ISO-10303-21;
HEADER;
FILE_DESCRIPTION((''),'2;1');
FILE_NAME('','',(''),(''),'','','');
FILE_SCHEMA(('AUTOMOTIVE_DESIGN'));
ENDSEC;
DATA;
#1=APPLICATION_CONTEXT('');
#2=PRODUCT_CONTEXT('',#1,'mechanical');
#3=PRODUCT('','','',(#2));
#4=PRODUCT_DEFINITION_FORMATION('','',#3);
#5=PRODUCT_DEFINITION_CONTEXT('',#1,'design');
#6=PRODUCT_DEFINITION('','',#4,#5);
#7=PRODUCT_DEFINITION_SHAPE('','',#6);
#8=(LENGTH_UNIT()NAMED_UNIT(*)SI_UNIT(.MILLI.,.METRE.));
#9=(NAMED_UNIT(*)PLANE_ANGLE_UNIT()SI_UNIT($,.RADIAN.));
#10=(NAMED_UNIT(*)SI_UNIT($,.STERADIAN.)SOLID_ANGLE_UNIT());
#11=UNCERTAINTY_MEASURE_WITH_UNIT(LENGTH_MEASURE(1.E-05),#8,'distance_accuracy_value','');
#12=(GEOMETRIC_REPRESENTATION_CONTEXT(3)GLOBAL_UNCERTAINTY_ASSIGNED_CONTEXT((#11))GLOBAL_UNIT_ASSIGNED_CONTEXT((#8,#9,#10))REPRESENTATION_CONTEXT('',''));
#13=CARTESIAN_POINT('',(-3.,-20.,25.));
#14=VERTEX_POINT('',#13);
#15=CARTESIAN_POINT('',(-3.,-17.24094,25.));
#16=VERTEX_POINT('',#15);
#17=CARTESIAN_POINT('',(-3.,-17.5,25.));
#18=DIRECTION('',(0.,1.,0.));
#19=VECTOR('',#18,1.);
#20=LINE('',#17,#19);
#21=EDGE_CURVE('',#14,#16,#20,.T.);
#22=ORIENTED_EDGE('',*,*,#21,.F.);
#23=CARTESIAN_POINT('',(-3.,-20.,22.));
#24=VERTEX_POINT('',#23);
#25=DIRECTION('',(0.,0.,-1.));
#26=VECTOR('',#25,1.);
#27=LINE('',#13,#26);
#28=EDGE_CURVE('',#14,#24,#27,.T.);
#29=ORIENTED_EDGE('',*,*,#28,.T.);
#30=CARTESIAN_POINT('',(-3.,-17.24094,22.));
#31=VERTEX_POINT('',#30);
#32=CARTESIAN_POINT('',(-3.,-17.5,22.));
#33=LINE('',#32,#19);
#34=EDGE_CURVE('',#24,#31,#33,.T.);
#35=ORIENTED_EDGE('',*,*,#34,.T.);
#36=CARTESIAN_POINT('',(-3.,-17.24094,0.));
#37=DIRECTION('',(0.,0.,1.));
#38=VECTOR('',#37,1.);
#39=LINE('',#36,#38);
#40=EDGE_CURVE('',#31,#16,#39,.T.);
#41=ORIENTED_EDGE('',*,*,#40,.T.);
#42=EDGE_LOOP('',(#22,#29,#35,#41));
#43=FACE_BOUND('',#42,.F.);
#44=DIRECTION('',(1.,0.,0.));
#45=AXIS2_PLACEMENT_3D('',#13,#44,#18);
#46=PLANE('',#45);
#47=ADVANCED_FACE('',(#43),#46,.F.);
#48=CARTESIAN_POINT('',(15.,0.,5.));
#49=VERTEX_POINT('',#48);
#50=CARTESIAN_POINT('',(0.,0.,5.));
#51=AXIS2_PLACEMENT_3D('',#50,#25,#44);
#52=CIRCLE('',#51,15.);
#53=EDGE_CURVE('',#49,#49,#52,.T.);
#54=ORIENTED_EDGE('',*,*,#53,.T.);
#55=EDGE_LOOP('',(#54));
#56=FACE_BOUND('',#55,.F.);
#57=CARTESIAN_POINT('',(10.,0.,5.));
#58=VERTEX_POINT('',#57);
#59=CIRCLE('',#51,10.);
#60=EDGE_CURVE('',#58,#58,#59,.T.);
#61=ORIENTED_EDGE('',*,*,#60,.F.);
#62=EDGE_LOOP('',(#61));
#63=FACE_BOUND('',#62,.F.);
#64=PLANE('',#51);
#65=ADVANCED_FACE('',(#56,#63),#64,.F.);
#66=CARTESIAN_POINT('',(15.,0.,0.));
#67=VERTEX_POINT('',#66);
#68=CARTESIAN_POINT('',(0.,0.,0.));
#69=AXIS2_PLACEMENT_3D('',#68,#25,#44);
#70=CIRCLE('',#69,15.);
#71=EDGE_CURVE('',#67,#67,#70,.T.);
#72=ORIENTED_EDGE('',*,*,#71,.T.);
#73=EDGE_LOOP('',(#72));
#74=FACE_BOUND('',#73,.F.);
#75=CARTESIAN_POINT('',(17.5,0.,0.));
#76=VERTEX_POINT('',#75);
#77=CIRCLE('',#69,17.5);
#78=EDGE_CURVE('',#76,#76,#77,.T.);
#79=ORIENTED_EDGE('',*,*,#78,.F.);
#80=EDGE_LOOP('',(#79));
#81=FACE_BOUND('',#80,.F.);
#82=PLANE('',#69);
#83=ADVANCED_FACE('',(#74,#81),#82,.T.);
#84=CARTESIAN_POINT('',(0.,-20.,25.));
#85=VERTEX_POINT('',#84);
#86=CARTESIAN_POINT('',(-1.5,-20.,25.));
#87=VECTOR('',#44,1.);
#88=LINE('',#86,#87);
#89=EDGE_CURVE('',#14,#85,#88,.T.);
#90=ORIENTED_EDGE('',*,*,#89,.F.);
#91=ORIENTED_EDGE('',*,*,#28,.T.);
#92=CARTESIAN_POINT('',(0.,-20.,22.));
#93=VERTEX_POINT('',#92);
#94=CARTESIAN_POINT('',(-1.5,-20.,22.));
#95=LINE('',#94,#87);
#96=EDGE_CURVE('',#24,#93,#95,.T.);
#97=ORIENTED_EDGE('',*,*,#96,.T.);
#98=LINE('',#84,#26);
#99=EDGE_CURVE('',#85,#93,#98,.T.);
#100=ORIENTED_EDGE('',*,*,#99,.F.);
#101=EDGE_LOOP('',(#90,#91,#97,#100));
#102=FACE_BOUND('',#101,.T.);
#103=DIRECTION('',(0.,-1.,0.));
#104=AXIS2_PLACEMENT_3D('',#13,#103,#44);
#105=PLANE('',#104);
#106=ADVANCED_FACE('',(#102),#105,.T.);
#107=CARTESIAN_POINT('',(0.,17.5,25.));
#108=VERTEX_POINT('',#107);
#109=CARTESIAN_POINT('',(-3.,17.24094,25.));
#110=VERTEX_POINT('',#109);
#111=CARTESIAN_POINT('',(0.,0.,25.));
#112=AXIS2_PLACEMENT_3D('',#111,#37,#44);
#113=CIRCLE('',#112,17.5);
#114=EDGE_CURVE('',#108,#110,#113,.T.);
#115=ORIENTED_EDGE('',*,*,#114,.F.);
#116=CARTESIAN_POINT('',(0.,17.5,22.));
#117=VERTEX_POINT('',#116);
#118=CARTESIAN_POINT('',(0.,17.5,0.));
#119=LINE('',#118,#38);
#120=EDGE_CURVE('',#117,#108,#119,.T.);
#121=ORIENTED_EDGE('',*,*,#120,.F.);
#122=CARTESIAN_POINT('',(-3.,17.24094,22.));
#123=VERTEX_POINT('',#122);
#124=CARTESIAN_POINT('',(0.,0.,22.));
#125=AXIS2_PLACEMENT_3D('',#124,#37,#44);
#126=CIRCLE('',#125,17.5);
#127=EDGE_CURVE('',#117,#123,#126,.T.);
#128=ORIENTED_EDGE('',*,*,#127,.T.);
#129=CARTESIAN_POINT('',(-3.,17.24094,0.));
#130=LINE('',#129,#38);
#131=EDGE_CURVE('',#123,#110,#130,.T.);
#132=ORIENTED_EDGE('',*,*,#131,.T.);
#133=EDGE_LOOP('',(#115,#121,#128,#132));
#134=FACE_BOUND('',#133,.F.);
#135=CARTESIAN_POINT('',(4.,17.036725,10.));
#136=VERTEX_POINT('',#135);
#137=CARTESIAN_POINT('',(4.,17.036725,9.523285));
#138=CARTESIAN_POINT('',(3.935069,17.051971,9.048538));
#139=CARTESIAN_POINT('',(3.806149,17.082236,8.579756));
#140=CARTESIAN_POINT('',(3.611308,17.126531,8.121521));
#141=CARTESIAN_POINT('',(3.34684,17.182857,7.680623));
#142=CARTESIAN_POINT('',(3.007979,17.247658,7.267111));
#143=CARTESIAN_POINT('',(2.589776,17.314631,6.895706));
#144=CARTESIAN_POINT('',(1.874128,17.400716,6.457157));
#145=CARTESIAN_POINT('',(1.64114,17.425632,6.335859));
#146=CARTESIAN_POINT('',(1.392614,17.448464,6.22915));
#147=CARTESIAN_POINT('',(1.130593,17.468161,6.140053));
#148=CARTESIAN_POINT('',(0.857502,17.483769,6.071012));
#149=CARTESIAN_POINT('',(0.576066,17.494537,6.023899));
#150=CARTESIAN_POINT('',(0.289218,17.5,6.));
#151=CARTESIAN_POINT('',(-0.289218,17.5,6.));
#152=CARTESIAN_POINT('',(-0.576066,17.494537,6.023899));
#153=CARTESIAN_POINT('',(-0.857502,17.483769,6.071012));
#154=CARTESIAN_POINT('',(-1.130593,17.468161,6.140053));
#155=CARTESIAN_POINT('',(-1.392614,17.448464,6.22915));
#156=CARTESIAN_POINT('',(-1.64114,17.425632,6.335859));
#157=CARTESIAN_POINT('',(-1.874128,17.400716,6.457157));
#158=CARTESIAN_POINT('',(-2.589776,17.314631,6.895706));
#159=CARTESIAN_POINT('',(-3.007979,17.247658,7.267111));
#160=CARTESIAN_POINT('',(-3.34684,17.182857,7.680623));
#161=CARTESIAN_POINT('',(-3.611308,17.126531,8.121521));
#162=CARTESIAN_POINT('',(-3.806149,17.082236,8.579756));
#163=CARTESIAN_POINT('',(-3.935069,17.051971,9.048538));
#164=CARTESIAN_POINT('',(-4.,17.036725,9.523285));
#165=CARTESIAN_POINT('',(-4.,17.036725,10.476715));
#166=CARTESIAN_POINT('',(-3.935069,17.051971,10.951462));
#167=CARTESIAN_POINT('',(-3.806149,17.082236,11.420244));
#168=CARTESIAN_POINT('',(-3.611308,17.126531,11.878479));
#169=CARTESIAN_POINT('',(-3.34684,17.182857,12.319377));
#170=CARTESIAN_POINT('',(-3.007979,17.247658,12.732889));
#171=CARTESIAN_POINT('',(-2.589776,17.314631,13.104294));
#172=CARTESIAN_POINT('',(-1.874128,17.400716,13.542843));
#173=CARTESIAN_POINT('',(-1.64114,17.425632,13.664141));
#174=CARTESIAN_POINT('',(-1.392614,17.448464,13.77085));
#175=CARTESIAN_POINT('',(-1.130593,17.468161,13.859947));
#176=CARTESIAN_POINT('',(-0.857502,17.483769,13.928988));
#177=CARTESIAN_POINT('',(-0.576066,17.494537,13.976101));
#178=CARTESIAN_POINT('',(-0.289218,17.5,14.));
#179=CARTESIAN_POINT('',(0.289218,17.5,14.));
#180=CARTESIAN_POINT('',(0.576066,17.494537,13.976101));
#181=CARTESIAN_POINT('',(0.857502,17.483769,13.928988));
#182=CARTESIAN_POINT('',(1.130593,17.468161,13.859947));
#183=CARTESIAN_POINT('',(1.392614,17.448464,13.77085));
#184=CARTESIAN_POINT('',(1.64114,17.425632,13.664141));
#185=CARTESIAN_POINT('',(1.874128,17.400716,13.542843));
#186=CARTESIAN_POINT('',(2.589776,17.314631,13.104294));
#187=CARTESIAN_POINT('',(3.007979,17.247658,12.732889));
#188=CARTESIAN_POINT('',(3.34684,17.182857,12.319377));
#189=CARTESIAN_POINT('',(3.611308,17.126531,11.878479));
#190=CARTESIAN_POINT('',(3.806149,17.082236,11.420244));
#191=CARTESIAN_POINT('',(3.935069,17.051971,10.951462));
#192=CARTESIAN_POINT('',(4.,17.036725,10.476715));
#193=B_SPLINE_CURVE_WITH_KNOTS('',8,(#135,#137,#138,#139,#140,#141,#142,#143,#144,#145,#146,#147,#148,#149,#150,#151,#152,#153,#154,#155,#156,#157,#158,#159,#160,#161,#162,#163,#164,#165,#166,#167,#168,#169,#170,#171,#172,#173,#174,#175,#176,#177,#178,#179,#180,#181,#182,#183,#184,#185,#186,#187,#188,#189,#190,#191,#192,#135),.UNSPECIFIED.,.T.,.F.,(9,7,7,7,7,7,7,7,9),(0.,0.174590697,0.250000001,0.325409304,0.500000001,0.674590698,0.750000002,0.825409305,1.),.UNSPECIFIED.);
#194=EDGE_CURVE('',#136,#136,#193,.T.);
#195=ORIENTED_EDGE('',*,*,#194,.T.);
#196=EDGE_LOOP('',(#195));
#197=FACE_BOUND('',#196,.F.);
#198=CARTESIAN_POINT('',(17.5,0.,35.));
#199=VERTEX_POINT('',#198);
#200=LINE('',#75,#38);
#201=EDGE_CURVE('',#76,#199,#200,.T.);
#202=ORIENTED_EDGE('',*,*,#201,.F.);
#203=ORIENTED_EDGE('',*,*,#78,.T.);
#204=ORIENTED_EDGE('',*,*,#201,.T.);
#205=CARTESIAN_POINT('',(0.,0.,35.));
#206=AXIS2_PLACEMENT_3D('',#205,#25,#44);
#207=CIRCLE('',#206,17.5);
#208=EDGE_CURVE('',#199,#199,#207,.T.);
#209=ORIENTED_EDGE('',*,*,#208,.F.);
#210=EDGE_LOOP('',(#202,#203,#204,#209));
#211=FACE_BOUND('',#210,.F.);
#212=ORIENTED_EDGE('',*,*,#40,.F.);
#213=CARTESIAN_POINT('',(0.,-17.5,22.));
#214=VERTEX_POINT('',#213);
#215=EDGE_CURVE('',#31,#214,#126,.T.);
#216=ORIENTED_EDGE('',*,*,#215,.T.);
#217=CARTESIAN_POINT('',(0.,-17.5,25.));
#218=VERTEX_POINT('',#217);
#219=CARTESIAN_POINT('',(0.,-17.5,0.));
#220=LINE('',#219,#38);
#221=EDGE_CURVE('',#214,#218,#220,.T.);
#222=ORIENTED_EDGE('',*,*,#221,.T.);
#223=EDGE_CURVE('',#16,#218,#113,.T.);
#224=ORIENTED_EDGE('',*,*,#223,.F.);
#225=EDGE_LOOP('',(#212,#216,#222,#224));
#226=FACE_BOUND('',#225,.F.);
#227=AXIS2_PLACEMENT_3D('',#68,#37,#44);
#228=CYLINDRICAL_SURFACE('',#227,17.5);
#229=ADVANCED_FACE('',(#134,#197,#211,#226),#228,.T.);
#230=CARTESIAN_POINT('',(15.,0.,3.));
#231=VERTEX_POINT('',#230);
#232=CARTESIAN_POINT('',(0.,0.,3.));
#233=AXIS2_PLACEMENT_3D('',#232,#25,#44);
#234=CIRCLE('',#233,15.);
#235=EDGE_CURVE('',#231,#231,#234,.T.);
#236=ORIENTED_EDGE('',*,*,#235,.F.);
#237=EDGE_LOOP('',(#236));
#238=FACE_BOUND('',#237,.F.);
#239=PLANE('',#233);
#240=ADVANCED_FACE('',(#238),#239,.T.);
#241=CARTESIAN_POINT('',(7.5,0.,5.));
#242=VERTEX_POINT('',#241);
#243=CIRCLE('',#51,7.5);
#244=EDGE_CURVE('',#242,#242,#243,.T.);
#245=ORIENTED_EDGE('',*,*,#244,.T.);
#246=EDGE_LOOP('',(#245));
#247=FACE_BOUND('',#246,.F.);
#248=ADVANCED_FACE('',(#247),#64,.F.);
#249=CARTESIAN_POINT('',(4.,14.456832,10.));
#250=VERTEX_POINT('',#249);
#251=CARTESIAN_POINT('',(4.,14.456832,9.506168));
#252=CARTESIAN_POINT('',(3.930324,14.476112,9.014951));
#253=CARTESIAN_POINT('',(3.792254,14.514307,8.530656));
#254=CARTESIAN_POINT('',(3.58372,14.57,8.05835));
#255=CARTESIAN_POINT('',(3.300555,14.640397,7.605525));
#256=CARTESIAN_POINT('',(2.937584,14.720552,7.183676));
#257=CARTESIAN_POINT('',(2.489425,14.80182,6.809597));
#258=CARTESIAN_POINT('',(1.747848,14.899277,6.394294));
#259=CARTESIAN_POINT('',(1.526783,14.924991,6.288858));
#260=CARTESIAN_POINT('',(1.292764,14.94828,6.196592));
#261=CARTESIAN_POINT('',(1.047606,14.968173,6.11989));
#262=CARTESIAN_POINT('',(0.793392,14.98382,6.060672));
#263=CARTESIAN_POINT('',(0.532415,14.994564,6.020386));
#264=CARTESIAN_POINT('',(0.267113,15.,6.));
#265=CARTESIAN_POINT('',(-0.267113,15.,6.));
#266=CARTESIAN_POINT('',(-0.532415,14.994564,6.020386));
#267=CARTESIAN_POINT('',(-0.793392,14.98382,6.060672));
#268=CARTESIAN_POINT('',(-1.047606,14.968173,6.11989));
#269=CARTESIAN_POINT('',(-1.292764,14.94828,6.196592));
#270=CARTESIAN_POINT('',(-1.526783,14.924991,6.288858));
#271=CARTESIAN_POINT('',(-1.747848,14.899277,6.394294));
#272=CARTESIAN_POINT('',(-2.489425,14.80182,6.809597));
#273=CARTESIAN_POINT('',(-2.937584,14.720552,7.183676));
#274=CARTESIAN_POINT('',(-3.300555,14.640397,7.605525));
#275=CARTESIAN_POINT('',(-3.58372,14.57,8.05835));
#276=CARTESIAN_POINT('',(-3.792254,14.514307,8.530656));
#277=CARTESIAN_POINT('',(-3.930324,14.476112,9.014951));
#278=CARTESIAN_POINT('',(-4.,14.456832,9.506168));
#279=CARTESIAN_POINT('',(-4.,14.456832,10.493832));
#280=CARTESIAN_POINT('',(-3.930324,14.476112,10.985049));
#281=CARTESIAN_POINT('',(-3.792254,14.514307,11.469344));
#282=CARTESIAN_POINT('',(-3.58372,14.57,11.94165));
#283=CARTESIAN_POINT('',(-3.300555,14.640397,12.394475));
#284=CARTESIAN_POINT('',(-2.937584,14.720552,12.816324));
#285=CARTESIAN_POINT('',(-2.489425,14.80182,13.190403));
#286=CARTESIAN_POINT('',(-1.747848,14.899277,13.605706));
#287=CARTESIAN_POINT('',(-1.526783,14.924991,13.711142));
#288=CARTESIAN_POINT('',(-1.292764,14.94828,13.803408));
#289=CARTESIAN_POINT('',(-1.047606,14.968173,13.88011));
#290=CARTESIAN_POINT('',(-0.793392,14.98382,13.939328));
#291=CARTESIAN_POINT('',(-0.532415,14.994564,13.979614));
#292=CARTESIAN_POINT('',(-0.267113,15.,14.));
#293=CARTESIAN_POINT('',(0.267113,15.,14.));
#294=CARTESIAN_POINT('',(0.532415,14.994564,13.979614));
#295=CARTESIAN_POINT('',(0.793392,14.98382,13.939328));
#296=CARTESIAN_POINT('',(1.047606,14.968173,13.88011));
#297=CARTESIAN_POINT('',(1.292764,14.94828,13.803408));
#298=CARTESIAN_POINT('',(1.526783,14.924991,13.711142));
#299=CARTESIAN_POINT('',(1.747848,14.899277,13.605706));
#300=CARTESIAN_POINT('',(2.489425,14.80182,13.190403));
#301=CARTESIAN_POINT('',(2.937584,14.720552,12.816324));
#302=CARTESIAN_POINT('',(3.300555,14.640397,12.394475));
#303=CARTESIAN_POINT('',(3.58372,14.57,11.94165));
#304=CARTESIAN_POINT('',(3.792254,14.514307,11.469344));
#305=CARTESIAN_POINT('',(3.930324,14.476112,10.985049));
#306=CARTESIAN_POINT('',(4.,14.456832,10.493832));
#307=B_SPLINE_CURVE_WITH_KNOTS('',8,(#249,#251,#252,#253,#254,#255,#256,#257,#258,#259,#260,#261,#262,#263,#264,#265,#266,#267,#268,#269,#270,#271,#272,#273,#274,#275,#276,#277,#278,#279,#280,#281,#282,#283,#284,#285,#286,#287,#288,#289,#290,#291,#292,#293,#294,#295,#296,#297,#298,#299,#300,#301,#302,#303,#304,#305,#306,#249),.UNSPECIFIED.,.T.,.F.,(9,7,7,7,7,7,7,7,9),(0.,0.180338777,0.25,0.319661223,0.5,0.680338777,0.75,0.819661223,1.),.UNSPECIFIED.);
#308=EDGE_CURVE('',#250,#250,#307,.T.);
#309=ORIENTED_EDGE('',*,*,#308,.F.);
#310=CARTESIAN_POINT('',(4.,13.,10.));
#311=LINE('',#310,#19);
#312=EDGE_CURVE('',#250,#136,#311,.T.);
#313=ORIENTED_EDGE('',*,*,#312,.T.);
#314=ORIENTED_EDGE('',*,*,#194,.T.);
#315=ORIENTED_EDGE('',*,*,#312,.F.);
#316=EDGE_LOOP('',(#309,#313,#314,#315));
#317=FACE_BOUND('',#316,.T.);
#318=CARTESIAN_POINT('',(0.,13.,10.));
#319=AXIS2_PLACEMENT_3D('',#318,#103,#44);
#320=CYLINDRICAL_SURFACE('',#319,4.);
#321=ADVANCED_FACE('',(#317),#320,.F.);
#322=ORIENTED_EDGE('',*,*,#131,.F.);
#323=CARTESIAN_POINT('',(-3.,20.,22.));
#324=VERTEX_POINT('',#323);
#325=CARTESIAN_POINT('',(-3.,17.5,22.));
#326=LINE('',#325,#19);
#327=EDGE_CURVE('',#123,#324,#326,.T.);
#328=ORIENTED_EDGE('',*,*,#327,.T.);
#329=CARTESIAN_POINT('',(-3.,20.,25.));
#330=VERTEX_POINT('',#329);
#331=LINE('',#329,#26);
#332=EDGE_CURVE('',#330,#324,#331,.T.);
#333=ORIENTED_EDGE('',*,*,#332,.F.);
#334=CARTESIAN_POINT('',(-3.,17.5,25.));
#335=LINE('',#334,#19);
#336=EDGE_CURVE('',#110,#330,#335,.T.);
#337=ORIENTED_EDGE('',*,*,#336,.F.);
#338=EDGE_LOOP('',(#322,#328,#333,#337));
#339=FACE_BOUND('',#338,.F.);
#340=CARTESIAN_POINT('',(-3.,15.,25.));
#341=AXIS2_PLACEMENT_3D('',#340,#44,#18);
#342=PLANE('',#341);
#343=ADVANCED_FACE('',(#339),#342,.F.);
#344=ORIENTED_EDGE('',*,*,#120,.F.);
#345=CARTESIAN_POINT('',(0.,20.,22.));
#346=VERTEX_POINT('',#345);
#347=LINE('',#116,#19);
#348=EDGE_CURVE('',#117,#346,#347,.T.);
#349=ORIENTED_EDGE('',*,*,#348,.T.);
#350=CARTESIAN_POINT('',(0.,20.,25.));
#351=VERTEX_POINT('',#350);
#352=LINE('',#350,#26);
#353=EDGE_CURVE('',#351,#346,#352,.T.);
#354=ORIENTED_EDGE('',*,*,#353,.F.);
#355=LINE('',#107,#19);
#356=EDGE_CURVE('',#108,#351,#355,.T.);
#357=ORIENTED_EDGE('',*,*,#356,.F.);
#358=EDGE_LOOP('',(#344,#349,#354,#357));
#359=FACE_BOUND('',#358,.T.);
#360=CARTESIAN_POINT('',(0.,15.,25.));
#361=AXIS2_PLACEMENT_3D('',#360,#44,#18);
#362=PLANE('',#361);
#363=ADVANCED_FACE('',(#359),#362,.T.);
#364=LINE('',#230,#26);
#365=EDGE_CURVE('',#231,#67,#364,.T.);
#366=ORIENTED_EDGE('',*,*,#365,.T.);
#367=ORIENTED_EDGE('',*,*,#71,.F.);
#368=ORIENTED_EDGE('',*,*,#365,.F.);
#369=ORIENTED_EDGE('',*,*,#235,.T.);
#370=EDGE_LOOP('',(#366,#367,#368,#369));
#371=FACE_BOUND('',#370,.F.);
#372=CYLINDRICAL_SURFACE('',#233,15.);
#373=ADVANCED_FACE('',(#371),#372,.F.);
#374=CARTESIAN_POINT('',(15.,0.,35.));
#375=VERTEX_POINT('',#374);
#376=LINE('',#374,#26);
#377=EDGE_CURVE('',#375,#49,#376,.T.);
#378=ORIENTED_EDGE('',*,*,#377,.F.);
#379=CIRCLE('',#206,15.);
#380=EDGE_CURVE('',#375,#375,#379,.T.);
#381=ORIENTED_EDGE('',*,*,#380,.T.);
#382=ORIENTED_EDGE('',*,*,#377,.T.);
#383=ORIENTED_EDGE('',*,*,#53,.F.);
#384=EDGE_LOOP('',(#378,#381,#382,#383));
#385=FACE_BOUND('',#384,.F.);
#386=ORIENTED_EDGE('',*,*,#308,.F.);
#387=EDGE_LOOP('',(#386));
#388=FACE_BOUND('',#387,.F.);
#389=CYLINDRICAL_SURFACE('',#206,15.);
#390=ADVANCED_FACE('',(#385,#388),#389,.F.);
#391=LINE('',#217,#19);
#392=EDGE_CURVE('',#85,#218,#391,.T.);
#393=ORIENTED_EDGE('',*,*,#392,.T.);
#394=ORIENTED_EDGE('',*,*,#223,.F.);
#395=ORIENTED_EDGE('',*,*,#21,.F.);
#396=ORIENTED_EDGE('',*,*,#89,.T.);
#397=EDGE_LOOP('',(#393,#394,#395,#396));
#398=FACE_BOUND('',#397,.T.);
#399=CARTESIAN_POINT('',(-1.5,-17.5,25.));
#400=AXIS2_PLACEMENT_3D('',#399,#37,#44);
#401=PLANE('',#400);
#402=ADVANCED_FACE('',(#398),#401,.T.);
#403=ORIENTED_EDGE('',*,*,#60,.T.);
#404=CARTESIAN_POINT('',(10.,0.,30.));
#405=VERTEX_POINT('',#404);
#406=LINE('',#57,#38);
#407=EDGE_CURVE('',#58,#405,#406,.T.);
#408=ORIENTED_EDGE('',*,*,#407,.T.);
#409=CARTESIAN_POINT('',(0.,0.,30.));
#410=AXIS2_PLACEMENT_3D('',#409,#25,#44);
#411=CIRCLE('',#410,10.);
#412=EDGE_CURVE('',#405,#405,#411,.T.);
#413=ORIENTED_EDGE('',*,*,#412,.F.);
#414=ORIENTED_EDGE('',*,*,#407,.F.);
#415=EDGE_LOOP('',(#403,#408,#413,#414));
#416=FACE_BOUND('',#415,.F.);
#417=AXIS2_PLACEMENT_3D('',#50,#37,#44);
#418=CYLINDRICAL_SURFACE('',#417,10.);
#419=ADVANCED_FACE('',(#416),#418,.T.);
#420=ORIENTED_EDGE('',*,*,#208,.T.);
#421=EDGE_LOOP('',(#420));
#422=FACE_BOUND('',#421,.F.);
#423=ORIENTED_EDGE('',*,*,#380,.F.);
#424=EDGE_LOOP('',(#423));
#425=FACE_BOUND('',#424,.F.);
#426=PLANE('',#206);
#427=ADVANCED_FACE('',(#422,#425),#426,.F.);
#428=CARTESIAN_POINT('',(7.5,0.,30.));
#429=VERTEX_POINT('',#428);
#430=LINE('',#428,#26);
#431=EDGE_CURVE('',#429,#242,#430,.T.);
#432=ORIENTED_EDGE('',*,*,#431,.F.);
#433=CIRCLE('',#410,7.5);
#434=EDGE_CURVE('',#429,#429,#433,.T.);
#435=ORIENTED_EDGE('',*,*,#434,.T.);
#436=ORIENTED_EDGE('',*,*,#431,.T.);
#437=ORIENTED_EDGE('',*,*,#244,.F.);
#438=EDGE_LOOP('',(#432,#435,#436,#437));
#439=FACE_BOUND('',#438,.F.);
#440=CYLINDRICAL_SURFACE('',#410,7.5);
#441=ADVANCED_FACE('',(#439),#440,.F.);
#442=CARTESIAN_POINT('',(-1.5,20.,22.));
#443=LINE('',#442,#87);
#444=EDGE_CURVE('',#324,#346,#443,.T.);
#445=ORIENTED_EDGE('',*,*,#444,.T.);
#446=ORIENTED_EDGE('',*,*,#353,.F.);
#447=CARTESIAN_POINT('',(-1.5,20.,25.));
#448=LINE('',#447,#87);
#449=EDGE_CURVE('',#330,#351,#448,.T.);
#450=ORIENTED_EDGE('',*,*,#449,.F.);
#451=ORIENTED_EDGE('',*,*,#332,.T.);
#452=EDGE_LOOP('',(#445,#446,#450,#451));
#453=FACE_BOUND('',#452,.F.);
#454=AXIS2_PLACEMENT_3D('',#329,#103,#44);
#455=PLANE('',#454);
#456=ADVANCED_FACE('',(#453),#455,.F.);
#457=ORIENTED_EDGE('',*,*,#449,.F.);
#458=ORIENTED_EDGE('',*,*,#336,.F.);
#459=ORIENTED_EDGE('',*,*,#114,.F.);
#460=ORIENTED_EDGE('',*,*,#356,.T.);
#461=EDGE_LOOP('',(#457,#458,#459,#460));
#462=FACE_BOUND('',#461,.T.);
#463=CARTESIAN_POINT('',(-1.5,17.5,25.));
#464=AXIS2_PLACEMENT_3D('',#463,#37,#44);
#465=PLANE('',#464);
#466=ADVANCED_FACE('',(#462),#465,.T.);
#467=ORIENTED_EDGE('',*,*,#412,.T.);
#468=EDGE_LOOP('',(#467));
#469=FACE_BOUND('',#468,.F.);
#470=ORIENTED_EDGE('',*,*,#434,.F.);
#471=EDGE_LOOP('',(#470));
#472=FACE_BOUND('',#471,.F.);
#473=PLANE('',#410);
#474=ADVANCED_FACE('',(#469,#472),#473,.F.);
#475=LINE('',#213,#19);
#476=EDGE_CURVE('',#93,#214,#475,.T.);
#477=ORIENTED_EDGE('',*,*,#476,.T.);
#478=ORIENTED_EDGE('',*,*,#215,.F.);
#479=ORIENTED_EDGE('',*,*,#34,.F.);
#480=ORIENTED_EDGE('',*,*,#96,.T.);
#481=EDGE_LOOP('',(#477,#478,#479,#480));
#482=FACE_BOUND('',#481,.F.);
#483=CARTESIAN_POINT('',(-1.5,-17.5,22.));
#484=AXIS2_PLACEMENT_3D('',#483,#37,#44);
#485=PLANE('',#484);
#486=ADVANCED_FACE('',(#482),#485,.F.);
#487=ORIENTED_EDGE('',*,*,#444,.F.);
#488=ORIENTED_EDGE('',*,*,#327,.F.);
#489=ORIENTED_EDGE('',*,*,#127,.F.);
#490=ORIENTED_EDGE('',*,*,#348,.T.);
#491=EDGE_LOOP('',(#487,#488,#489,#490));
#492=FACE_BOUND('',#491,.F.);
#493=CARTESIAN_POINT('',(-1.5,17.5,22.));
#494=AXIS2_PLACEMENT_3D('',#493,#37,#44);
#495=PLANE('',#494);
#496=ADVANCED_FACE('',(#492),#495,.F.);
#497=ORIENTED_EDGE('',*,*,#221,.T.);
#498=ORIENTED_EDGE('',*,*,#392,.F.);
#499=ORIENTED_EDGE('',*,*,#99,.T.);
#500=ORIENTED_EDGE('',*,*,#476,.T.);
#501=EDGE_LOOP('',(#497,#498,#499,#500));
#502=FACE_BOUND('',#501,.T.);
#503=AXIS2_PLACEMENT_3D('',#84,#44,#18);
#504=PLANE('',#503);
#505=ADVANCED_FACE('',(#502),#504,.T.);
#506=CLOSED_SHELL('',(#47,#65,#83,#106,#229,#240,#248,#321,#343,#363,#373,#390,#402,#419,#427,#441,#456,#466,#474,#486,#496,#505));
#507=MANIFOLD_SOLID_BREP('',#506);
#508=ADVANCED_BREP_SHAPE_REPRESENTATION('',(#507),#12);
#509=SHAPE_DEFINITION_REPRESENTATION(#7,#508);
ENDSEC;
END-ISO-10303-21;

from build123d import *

# Parameters (mm, degrees)
SKETCH3_W           = 3
SKETCH3_H           = 5
BOSS_EXTRUDE1_DEPTH = 3
SKETCH5_R           = 4
CUT_EXTRUDE1_DEPTH  = 5


with BuildPart() as part:
    # Sketch1 → Revolve1 (revolve)
    with BuildSketch(Plane.XZ):
        Polygon((7.5, 5), (0, 5), (0, 3), (15, 3), (15, 0), (17.5, 0), (17.5, 35), (15, 35), (15, 5), (10, 5), (10, 30), (7.5, 30), align=None)
    revolve(axis=Axis((0, 0, 35), (0, 0, -1)))

    # Sketch3 → Boss-Extrude1 (add)
    with BuildSketch(Plane.XY.offset(25)):
        with Locations((-1.5, 17.5)):
            Rectangle(SKETCH3_W, SKETCH3_H)
        with Locations((-1.5, -17.5)):
            Rectangle(SKETCH3_W, SKETCH3_H)
    extrude(amount=-BOSS_EXTRUDE1_DEPTH)

    # Sketch5 → Cut-Extrude1 (cut)
    with BuildSketch(Plane(origin=(0, 13, 0), x_dir=(1, 0, 0), z_dir=(0, 1, 0))):
        with Locations((0, -10)):
            Circle(SKETCH5_R)
    extrude(amount=CUT_EXTRUDE1_DEPTH, mode=Mode.SUBTRACT)


solid = part.part
